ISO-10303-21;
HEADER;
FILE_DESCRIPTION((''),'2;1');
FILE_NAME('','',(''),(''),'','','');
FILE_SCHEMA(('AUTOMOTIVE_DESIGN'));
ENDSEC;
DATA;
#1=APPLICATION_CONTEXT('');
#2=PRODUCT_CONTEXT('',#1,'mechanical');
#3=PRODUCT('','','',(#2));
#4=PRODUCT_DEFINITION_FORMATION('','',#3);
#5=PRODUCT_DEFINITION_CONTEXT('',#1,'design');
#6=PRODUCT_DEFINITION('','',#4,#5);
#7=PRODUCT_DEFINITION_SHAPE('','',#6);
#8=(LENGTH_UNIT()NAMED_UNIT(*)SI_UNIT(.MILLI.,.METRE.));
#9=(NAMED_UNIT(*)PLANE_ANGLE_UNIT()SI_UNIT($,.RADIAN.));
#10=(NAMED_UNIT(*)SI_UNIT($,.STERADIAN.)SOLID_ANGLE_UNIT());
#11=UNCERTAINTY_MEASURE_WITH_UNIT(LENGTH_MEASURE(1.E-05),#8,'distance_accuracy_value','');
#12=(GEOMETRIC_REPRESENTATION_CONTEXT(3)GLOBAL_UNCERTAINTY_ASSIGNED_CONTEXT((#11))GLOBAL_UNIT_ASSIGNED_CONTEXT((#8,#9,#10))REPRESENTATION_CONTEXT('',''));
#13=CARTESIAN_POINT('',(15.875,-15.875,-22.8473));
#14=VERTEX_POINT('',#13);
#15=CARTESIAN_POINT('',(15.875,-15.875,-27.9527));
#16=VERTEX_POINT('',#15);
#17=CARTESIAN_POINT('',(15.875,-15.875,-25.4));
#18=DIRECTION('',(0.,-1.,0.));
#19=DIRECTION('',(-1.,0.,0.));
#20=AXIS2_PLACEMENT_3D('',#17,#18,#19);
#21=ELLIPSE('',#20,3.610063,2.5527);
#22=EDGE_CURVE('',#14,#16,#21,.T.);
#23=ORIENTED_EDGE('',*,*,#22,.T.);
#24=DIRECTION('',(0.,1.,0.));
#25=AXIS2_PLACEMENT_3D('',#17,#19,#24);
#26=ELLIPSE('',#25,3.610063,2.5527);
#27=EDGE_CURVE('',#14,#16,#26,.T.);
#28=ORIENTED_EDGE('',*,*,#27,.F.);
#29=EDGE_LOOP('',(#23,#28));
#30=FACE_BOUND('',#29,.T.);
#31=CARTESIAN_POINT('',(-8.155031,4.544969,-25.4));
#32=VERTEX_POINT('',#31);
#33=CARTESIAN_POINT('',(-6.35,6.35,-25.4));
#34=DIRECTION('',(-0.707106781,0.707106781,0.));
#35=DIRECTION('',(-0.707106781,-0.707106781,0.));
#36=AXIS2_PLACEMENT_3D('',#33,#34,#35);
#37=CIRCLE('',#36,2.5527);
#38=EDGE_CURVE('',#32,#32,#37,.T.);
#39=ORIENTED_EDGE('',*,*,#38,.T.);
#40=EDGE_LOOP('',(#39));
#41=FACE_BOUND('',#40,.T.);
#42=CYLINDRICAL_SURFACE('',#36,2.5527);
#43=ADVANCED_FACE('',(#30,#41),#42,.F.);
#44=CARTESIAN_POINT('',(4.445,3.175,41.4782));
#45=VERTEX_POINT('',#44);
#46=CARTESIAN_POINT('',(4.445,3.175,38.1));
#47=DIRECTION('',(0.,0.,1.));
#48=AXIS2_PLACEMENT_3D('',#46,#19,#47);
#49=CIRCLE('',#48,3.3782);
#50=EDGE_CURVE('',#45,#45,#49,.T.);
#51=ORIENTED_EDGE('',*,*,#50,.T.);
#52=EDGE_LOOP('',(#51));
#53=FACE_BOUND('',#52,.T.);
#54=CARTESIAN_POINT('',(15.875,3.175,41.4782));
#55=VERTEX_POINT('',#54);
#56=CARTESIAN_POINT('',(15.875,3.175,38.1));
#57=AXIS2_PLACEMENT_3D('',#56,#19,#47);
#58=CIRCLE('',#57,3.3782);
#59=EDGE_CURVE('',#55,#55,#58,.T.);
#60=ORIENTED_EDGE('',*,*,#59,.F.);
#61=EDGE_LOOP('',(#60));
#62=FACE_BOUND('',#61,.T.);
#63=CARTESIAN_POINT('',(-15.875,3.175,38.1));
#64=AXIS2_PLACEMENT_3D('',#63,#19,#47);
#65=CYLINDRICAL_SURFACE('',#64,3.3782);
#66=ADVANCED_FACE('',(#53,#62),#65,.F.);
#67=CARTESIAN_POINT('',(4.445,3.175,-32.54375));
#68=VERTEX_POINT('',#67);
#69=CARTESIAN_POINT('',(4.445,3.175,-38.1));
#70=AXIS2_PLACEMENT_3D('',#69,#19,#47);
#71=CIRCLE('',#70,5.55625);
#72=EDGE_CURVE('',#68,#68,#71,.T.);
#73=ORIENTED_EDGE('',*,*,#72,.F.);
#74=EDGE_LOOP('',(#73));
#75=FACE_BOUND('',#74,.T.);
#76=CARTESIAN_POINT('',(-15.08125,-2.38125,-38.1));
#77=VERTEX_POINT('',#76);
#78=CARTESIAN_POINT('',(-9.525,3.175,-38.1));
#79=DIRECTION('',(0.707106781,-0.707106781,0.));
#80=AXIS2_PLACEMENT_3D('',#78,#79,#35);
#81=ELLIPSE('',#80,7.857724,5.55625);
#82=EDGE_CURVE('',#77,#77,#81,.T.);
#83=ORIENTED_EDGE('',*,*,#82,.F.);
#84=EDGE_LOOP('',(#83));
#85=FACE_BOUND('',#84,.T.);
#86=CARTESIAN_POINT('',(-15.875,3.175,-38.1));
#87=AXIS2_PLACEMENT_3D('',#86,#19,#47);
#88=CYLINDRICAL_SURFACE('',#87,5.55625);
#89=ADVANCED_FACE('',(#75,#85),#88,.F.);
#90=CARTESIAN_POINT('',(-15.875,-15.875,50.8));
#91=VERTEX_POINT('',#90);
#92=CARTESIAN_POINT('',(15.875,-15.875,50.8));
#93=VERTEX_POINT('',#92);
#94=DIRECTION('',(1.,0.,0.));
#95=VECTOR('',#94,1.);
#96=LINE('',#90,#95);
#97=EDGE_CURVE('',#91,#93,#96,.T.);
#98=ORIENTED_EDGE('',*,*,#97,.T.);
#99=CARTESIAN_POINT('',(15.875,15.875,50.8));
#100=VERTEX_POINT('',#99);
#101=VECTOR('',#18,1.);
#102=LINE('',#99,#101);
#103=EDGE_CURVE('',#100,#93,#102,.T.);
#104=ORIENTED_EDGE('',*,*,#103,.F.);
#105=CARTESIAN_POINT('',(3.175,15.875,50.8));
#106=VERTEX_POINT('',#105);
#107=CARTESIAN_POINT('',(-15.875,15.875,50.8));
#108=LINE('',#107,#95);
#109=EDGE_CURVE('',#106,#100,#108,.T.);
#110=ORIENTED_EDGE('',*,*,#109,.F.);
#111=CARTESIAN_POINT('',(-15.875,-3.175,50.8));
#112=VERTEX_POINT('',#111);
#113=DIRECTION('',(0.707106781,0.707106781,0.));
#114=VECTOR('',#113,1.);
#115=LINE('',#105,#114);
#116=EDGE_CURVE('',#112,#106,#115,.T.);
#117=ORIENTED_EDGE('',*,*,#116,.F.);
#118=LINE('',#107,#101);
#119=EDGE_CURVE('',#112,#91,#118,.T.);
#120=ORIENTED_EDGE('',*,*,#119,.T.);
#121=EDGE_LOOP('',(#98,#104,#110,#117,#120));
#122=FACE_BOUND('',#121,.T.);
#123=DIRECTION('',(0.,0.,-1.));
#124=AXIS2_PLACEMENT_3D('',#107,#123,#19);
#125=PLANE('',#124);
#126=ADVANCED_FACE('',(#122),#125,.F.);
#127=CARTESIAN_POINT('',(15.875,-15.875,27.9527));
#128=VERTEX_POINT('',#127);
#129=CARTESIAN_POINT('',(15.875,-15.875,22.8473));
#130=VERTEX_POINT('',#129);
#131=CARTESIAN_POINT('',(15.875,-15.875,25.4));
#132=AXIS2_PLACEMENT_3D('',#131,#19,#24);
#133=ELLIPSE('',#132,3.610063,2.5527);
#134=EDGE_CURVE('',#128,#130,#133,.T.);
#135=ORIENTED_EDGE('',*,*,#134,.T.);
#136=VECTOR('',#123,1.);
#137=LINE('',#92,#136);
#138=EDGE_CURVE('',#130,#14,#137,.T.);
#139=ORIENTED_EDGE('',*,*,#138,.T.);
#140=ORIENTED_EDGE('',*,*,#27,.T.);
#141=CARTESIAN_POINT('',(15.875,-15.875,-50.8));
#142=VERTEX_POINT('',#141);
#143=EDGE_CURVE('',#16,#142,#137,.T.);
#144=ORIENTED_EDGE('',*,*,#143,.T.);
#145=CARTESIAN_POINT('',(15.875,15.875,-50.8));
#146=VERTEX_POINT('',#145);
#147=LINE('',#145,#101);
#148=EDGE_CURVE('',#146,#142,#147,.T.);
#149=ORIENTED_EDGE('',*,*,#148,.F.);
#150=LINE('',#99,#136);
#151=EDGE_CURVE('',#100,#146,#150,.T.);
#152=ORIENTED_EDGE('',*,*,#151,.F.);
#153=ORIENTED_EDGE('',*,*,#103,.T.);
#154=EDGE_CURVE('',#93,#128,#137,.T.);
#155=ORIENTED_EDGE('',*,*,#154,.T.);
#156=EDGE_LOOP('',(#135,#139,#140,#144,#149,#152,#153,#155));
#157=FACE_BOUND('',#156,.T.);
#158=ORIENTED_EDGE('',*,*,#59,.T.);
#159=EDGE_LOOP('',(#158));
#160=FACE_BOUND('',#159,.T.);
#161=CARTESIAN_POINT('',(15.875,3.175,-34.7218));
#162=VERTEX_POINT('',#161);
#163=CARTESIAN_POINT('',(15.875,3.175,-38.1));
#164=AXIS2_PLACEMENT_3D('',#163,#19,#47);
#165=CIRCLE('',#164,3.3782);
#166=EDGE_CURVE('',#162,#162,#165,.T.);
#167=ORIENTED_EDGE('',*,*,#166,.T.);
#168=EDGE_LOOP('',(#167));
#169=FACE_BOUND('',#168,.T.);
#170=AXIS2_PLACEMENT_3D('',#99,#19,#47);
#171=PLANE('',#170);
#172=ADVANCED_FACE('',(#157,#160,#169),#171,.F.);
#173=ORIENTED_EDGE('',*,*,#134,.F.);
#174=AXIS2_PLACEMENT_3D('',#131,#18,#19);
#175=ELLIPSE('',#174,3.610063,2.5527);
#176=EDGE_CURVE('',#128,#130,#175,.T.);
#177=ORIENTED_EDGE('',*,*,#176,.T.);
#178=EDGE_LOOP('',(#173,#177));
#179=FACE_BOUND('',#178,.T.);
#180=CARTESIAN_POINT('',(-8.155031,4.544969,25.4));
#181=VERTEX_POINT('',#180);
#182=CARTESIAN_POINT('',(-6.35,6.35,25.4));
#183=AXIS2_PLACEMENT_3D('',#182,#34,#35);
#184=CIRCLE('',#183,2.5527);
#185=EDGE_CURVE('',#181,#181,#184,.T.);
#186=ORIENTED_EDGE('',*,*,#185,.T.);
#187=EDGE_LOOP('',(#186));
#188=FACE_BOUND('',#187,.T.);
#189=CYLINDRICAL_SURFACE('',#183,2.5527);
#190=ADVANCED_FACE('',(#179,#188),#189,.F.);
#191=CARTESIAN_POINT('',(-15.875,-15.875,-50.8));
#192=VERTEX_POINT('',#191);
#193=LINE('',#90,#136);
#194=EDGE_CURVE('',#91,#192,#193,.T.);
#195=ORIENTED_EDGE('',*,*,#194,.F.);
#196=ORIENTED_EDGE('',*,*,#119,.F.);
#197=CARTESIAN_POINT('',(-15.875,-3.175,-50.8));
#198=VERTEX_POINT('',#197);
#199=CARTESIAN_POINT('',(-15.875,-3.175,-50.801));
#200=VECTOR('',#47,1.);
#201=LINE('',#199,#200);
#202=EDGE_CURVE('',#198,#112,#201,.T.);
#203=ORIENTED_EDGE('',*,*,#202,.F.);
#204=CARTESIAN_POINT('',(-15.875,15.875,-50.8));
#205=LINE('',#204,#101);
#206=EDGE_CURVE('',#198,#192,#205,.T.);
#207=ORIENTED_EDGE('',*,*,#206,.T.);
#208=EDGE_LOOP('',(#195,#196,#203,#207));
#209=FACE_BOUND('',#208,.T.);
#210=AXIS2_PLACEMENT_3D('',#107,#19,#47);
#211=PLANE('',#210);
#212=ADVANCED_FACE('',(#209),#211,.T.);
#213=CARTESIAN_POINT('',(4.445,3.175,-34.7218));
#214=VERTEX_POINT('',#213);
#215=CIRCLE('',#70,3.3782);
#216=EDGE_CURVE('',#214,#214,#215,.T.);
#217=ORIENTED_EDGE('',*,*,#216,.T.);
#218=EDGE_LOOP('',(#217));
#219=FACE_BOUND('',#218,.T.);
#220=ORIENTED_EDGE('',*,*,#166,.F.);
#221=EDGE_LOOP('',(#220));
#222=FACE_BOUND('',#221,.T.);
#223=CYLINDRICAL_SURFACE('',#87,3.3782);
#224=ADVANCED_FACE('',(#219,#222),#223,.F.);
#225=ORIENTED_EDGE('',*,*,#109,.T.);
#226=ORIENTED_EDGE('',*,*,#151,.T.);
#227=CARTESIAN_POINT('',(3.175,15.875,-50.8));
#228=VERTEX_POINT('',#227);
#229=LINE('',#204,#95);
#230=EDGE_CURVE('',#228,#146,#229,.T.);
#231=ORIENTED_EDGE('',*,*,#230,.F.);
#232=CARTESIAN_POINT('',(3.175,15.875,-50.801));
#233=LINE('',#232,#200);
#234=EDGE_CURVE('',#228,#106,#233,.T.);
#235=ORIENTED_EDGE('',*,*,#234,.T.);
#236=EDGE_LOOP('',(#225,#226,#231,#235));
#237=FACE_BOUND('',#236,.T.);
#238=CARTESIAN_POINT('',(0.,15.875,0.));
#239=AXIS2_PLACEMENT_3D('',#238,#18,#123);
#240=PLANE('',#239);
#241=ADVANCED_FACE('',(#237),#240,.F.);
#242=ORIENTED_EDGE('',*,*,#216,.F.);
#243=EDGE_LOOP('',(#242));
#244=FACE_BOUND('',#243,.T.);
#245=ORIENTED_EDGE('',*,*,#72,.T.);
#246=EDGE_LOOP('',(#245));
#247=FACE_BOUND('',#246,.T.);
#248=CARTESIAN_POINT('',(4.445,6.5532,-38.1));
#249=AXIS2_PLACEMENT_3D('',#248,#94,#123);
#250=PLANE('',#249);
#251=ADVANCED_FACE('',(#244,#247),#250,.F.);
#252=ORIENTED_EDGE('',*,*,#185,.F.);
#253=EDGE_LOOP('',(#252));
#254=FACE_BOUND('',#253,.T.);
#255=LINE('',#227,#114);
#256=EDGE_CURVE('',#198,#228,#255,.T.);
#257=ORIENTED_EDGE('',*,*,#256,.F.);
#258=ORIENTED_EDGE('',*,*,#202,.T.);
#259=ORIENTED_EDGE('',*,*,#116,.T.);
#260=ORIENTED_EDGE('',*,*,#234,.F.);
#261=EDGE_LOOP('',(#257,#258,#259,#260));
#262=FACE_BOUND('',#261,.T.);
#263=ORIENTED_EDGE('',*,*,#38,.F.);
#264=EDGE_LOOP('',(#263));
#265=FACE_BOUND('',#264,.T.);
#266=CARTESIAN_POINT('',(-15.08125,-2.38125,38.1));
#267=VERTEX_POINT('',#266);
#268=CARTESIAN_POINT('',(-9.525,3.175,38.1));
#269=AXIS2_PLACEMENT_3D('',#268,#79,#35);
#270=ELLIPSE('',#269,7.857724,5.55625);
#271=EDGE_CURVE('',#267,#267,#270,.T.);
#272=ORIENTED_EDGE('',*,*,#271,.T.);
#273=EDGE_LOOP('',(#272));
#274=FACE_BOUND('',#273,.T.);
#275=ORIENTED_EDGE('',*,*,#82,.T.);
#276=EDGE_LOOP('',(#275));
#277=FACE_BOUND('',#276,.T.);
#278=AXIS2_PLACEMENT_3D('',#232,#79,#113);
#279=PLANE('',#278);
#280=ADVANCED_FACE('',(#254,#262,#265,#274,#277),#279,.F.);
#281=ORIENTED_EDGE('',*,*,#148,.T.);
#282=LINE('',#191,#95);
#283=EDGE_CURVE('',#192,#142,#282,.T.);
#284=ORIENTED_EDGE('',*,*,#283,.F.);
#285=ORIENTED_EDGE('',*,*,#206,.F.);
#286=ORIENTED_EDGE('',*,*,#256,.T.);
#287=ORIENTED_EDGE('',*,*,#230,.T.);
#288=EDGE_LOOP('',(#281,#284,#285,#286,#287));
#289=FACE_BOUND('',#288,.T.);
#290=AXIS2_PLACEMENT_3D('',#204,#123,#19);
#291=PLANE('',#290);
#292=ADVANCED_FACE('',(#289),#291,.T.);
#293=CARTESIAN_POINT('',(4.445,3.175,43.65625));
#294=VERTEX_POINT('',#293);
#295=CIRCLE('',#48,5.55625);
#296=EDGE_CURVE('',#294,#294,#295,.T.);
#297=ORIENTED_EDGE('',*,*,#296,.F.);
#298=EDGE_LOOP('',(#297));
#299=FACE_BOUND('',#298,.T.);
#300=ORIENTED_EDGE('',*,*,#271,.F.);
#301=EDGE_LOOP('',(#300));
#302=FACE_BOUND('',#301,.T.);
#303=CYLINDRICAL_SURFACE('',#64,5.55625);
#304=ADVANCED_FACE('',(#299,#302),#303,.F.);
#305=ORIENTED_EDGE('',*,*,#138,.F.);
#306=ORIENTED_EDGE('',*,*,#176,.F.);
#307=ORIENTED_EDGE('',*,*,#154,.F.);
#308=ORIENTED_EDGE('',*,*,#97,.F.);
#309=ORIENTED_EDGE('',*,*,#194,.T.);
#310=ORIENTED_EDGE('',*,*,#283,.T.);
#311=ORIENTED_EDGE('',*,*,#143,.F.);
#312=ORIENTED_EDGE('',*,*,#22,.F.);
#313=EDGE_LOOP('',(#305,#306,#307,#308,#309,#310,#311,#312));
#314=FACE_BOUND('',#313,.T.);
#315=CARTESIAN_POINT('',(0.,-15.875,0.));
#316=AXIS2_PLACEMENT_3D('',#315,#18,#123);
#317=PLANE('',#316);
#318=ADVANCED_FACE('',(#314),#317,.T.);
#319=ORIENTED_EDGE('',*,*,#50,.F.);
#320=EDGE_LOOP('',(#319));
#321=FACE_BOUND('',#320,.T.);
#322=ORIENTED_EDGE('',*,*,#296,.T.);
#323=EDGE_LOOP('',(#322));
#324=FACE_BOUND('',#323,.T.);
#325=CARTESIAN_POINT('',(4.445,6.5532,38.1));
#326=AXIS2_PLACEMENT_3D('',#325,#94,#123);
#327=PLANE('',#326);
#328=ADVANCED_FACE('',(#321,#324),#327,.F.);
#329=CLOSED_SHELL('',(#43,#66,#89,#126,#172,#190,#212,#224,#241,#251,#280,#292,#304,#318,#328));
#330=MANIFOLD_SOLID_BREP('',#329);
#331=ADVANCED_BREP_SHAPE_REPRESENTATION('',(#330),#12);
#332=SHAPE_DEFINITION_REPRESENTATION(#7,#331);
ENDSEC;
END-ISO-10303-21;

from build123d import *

# Parameters (mm, degrees)
SKETCH1_W                                        = 31.75
SKETCH1_H                                        = 101.6
BOSS_EXTRUDE1_DEPTH                              = 15.875
CUT_EXTRUDE1_REACH                               = 106.051
F_1_4_20_TAPPED_HOLE1_D                          = 5.1054
CBORE_FOR_1_4_SOCKET_HEAD_CAP_SCREW1_D           = 6.7564
CBORE_FOR_1_4_SOCKET_HEAD_CAP_SCREW1_CBORE_D     = 11.1125
CBORE_FOR_1_4_SOCKET_HEAD_CAP_SCREW1_CBORE_DEPTH = 20.32


with BuildPart() as part:
    # Sketch1 → Boss-Extrude1 (new, symmetric)
    with BuildSketch(Plane(origin=(0, 0, 0), x_dir=(1, 0, 0), z_dir=(0, 1, 0))):
        Rectangle(SKETCH1_W, SKETCH1_H)
    extrude(amount=BOSS_EXTRUDE1_DEPTH, both=True)

    # Sketch2 → Cut-Extrude1 (cut, up to next)
    with BuildSketch(Plane.XY.offset(50.8), mode=Mode.PRIVATE) as cut_extrude1_sk1:
        Polygon((-15.875, -3.175), (-15.875, 15.875), (3.175, 15.875), align=None)
    cut_extrude1_tool1 = extrude(cut_extrude1_sk1.sketch, amount=-CUT_EXTRUDE1_REACH, mode=Mode.PRIVATE) & part.part
    add(cut_extrude1_tool1.solids().sort_by_distance((-9.525, 9.525, 50.8))[0], mode=Mode.SUBTRACT)

    # 1/4-20 Tapped Hole1 (through all)
    with Locations(Plane(origin=(-6.35, 6.35, 0), x_dir=(0, 0, 1), z_dir=(-0.7071067811865513, 0.7071067811865438, 0))):
        with Locations((-25.4, 0), (25.4, 0)):
            Hole(F_1_4_20_TAPPED_HOLE1_D / 2)

    # CBORE for 1/4 Socket Head Cap Screw1 (through all)
    with Locations(Plane.ZY.offset(15.875)):
        with Locations((-38.1, 3.175), (38.1, 3.175)):
            CounterBoreHole(CBORE_FOR_1_4_SOCKET_HEAD_CAP_SCREW1_D / 2, CBORE_FOR_1_4_SOCKET_HEAD_CAP_SCREW1_CBORE_D / 2, CBORE_FOR_1_4_SOCKET_HEAD_CAP_SCREW1_CBORE_DEPTH)


solid = part.part
